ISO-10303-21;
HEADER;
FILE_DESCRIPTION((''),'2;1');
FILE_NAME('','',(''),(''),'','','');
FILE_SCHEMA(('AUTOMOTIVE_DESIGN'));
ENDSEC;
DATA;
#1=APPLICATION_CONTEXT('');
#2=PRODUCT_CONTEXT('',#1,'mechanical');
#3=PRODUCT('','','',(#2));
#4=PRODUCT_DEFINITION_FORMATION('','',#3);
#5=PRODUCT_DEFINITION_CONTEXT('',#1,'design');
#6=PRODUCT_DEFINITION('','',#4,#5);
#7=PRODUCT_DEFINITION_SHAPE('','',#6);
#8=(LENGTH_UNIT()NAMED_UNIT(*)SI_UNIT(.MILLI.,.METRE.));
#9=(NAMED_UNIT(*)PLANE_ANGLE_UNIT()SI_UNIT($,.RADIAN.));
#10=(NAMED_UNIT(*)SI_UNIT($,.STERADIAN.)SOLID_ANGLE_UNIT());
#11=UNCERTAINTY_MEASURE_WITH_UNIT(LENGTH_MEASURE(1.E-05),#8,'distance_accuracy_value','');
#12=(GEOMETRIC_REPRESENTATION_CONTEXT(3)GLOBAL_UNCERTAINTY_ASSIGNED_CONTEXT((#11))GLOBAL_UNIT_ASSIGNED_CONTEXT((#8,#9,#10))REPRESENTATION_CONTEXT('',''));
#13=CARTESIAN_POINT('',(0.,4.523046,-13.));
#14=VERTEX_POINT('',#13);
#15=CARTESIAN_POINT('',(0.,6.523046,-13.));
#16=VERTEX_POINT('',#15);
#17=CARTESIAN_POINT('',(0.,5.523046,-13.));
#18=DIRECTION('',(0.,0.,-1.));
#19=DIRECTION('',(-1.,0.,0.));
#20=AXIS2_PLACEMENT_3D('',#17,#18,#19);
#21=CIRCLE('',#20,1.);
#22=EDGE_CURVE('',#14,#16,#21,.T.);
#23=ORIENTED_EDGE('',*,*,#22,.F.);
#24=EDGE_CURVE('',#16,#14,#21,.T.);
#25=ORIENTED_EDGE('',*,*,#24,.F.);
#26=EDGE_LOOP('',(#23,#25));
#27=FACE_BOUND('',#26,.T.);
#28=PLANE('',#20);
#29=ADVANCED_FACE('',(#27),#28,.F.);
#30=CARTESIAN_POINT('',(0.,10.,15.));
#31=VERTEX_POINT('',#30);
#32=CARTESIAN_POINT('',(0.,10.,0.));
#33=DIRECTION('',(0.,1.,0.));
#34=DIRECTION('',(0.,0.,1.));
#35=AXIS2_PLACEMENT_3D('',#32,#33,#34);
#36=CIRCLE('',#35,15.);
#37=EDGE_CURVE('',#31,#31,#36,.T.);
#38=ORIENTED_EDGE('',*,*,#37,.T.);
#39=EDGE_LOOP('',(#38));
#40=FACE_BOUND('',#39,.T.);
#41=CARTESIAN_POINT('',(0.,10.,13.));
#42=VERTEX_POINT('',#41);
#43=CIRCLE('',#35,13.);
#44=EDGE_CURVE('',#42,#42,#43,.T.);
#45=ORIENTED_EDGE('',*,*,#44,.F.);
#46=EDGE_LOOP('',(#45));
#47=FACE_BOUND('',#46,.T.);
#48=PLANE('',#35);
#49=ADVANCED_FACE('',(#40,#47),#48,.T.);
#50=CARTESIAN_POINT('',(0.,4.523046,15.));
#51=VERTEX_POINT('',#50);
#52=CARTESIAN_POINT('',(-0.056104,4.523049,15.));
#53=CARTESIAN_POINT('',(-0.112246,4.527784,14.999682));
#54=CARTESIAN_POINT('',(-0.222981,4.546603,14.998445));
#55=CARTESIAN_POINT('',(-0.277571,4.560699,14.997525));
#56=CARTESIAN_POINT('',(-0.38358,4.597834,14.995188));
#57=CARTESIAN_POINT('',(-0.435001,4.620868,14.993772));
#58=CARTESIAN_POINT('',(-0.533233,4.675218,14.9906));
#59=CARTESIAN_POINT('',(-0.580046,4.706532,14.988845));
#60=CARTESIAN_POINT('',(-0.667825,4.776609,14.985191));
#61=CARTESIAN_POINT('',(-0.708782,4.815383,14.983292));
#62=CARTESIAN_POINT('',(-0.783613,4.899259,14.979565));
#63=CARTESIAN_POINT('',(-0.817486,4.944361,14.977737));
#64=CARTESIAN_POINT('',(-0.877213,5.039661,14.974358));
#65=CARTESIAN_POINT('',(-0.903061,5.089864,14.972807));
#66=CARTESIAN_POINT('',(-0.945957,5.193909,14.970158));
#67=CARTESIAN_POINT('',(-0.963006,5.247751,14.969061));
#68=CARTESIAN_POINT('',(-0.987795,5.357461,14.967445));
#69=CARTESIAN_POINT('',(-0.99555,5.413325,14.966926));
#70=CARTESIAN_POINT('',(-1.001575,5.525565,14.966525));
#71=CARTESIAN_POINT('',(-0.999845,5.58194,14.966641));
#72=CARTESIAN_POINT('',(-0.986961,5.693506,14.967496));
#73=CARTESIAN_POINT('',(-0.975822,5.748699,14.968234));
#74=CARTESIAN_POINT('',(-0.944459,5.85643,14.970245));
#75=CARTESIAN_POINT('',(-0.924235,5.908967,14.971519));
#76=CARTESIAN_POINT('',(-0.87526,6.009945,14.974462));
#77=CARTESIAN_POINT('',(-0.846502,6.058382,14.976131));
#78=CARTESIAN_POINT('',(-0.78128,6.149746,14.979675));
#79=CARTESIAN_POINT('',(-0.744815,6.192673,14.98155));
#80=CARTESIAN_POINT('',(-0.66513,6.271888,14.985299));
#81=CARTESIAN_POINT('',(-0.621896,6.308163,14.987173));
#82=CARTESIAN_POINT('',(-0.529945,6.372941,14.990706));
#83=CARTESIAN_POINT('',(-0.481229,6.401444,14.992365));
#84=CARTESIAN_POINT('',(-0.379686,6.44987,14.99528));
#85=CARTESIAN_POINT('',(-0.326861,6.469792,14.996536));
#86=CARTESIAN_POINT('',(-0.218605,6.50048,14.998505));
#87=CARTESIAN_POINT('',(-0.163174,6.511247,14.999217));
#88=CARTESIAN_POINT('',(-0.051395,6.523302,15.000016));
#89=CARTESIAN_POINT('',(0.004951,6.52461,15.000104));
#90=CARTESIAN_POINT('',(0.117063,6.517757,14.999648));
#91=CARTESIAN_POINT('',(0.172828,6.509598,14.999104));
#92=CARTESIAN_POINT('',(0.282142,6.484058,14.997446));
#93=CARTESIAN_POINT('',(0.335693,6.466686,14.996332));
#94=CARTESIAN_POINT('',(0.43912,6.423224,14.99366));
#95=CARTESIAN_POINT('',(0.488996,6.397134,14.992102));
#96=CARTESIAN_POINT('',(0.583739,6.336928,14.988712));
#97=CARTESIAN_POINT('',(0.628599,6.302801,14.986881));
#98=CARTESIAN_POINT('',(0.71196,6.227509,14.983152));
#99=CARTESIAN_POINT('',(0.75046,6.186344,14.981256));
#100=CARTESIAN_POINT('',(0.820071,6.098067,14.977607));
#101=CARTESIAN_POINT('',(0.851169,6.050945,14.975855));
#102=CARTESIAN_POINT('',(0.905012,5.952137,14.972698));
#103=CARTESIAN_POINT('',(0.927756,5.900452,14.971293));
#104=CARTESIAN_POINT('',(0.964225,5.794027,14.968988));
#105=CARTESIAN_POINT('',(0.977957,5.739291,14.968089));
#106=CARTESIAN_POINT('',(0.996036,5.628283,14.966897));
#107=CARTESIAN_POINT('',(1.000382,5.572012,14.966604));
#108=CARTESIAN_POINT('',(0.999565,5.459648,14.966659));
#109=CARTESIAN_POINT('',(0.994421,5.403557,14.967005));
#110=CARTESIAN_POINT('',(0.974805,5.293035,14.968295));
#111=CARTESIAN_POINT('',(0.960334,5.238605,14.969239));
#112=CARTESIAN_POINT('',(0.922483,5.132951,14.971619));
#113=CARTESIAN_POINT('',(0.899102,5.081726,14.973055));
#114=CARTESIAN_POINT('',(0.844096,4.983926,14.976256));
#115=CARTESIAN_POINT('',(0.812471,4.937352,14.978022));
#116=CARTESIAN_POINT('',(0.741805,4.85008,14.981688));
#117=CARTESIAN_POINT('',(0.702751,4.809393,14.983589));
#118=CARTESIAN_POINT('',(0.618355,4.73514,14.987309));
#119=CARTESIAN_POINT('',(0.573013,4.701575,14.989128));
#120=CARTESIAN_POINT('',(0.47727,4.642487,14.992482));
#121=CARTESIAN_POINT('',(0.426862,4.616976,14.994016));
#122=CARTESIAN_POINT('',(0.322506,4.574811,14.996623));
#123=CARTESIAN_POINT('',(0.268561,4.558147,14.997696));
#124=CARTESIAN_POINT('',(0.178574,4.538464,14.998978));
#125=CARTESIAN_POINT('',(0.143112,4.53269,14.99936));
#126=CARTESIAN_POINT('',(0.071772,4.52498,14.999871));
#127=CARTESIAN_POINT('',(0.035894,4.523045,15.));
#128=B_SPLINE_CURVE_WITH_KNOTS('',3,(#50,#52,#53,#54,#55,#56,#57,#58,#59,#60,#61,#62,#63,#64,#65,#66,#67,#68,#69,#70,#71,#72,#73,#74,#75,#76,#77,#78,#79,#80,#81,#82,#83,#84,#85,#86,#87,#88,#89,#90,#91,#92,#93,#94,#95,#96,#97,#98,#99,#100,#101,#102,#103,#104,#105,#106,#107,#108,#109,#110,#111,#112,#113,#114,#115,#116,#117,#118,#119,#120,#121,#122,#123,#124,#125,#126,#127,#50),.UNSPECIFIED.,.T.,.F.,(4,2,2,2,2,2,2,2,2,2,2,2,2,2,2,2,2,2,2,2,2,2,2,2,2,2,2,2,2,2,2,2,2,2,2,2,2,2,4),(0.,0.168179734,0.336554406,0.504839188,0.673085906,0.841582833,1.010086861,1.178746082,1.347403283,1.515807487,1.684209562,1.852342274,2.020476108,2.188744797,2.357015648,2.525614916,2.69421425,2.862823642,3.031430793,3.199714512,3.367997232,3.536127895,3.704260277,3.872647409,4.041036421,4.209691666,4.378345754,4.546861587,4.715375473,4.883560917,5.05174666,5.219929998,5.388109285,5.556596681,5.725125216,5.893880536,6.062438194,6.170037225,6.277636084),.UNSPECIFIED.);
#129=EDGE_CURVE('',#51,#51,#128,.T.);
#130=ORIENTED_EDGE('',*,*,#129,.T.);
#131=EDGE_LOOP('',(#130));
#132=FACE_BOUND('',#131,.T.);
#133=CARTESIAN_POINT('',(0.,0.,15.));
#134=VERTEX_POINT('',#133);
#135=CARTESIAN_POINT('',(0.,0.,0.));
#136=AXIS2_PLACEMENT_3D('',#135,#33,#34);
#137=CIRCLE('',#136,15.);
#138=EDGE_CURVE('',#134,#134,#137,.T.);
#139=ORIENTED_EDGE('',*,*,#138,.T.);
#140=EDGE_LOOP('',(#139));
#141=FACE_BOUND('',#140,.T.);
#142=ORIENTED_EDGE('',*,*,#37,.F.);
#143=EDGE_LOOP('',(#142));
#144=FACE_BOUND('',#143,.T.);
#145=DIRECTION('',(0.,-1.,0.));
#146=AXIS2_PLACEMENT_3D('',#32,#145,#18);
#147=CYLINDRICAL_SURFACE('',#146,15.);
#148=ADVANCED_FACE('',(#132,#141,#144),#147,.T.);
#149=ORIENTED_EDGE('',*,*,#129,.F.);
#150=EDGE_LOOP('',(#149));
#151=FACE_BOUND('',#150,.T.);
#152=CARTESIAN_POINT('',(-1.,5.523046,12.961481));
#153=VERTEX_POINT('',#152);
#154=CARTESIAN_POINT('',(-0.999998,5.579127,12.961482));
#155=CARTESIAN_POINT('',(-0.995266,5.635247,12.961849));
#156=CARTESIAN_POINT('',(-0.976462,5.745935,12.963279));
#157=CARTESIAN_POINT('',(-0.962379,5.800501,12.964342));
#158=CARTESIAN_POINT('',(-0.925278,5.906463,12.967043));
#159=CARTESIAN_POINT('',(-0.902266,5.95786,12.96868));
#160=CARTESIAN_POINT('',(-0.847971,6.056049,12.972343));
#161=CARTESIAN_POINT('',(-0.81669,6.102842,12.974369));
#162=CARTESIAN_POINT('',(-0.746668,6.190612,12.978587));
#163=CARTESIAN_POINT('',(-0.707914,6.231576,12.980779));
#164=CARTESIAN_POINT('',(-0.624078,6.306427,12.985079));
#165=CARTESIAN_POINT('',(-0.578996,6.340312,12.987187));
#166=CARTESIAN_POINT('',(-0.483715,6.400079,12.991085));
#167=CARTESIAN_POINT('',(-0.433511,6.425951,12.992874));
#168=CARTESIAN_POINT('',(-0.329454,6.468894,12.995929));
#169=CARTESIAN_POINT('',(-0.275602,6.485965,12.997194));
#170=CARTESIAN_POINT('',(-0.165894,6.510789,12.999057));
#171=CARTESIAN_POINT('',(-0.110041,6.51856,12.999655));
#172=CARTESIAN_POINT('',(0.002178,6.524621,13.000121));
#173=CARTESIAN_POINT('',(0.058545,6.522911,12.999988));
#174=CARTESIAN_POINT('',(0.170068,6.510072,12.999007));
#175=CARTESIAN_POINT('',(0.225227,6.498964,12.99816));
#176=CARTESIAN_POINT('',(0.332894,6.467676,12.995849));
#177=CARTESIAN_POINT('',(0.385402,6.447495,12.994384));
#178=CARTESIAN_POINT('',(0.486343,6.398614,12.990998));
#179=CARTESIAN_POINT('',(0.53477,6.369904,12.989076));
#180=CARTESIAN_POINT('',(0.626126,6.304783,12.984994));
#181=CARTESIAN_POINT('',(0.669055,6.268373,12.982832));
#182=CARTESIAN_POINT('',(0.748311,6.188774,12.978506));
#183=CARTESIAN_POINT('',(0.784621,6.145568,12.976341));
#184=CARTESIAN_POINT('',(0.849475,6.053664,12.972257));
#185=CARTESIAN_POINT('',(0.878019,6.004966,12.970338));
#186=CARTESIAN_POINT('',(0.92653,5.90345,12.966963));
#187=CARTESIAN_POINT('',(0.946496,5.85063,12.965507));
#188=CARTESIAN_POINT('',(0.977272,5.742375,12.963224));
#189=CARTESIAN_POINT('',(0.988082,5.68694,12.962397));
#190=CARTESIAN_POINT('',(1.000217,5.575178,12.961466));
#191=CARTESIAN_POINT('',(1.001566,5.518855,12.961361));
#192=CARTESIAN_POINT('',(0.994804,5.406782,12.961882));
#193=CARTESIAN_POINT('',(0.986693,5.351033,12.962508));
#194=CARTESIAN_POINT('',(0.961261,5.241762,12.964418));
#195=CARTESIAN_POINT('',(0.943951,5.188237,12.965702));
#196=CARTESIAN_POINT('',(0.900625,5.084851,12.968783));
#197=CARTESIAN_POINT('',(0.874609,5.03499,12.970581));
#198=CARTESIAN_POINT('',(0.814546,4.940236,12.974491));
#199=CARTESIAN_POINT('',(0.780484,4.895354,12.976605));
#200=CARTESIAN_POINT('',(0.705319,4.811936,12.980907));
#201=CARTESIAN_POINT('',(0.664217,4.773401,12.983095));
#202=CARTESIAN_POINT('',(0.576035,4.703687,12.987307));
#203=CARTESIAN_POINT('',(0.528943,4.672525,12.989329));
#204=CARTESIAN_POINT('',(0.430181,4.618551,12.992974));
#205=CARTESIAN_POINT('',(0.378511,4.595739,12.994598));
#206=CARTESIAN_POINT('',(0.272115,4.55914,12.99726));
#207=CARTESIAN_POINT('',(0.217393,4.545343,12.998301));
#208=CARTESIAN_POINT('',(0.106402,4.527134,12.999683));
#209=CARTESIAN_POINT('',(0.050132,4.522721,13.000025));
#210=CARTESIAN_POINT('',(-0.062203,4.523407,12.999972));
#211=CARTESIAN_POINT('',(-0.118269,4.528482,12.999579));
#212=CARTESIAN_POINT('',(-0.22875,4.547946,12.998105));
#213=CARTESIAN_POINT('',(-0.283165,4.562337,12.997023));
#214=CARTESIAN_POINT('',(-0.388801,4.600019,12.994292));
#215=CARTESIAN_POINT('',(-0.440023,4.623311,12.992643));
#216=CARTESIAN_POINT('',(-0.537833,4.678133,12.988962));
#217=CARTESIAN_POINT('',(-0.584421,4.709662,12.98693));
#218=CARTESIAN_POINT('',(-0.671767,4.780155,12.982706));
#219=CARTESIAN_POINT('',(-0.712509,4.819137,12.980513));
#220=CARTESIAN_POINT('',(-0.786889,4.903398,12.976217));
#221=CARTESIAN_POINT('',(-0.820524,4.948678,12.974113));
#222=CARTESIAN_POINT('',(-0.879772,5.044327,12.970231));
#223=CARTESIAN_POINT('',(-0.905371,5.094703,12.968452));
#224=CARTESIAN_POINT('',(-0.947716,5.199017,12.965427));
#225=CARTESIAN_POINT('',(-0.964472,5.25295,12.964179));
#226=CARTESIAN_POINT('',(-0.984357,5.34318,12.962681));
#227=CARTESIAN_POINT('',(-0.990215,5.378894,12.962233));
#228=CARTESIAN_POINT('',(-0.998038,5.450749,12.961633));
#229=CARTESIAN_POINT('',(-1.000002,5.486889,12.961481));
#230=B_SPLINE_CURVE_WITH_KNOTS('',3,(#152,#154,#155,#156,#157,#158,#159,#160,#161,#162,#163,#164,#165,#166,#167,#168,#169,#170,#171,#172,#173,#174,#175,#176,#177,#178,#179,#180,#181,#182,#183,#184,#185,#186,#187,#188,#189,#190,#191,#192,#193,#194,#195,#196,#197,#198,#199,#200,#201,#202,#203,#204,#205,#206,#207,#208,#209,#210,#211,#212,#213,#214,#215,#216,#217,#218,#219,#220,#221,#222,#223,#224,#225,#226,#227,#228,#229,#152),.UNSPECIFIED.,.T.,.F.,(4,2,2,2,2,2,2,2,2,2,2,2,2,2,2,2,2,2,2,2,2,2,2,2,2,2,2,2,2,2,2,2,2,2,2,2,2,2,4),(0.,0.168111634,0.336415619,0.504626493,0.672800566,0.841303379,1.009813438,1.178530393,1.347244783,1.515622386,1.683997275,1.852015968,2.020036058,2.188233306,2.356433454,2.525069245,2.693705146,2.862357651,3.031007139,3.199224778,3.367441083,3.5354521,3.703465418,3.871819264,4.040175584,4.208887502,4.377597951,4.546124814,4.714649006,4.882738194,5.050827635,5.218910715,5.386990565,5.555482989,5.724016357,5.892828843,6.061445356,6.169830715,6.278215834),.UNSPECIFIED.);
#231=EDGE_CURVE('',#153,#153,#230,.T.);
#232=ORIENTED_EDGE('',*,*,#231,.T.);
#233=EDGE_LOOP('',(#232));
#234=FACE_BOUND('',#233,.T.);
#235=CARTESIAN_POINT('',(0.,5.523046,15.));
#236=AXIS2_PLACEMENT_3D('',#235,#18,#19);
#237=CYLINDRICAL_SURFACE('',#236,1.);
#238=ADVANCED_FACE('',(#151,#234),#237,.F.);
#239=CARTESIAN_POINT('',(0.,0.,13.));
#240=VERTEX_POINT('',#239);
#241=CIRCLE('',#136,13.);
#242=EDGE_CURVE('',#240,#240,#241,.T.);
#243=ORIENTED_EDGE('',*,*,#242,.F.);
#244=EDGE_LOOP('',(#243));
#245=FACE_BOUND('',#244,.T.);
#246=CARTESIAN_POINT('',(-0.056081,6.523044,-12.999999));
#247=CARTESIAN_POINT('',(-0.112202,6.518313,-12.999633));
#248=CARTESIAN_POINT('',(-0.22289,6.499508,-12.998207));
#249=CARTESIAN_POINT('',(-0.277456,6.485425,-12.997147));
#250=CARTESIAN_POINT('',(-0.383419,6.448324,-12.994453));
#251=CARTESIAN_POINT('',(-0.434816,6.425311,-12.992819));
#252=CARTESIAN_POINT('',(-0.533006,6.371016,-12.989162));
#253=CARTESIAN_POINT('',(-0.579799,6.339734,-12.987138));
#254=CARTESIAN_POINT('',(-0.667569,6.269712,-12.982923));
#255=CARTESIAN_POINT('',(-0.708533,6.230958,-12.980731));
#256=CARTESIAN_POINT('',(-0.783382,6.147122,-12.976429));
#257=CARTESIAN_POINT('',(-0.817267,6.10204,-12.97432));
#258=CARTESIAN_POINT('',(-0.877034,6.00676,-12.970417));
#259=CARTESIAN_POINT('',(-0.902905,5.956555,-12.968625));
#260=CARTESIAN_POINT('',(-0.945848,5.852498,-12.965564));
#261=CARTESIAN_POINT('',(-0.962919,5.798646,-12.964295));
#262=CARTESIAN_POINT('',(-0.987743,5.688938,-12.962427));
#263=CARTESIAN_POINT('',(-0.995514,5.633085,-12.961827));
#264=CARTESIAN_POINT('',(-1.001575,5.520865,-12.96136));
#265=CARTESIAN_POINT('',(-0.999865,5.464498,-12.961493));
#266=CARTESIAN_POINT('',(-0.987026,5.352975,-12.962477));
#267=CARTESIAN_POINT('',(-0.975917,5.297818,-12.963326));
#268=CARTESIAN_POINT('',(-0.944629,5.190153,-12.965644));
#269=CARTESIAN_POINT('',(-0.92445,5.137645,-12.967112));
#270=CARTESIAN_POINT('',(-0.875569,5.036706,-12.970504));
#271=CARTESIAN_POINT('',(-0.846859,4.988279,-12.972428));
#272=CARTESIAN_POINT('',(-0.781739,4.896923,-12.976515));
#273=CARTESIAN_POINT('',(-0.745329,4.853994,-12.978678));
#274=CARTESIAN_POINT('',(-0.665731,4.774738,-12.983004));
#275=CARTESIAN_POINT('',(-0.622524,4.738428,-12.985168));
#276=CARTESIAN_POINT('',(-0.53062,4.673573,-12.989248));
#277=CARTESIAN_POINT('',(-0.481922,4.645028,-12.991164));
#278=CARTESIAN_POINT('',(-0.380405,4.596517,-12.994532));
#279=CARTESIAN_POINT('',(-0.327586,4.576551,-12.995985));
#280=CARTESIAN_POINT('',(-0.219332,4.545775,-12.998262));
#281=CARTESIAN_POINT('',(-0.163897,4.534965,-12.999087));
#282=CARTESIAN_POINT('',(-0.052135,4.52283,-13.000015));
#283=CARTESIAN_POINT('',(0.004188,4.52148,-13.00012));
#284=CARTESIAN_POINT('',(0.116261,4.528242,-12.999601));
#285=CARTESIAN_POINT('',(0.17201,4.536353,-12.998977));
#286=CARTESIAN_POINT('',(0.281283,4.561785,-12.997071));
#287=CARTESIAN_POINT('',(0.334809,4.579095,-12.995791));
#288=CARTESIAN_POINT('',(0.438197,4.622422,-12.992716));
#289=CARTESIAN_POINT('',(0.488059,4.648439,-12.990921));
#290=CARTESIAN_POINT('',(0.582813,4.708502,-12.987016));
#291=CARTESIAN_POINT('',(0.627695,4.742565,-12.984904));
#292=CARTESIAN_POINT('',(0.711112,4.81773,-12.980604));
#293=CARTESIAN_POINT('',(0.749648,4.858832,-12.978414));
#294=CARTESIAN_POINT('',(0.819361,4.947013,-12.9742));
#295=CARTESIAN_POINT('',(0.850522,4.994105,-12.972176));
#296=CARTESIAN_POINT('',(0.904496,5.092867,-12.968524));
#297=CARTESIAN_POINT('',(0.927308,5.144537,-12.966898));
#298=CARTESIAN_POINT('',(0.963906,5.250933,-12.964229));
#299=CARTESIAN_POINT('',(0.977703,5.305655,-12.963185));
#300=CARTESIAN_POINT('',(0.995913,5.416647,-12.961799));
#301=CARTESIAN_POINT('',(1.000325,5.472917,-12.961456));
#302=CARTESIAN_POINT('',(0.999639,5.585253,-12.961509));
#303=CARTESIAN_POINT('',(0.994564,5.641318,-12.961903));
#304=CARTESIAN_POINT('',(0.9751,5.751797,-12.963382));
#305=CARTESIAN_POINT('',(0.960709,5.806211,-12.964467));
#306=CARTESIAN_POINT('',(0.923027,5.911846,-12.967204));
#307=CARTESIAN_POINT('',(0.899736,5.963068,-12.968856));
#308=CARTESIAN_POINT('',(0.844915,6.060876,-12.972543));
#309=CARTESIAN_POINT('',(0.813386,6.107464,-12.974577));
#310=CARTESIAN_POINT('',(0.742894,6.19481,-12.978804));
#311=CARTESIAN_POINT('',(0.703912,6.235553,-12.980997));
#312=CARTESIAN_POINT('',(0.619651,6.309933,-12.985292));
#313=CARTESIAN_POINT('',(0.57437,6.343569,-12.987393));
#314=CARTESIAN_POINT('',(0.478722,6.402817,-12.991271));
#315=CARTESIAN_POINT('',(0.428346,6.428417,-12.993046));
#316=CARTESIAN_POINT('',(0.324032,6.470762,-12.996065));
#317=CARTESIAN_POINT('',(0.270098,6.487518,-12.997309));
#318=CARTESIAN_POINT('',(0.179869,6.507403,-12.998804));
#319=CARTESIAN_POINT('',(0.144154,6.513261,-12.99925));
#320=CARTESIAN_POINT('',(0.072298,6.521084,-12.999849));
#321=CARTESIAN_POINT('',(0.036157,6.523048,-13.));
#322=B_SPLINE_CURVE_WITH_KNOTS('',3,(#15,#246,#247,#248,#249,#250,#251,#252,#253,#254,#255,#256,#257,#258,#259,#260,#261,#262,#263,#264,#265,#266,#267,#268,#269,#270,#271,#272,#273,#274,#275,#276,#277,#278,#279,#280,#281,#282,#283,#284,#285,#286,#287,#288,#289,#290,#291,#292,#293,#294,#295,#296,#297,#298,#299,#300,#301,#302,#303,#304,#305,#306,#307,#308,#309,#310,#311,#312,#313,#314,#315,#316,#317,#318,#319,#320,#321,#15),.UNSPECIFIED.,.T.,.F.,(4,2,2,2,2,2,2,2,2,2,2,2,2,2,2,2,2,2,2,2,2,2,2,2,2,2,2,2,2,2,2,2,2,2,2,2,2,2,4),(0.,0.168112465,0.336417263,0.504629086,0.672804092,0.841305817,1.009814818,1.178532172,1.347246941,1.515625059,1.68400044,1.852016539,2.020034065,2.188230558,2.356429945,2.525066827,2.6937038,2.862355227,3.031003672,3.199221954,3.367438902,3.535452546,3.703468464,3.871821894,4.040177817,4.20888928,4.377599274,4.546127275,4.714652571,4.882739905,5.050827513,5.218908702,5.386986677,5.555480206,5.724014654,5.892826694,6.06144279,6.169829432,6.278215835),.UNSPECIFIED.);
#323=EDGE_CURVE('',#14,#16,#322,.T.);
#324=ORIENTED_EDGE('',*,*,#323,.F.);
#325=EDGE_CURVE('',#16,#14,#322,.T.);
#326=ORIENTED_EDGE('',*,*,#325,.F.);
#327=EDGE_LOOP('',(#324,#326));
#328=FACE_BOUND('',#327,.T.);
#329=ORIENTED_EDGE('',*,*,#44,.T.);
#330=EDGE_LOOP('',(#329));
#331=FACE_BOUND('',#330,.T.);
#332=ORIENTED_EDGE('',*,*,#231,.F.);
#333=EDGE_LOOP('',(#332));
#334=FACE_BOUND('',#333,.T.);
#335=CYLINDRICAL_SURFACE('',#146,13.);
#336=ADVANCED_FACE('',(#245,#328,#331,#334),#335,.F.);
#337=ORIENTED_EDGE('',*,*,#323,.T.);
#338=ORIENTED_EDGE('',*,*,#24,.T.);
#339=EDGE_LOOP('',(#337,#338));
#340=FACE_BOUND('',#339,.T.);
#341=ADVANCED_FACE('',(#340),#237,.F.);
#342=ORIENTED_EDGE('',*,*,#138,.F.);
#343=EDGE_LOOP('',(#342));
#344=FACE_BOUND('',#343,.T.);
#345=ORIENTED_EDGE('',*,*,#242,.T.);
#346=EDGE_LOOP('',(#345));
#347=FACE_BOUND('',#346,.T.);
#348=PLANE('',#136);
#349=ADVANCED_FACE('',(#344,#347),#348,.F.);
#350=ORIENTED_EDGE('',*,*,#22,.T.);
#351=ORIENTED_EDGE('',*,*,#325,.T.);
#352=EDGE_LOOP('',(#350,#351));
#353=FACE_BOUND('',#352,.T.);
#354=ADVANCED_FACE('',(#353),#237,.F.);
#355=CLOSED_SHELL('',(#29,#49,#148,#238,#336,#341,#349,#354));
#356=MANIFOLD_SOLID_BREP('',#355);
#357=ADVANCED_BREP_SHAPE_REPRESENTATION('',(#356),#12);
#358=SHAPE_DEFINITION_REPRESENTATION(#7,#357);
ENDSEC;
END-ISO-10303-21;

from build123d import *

# Parameters (mm, degrees)
SKETCH_1_R          = 15
SKETCH_1_R_2        = 13
EXTRUDE_1_DEPTH     = 10
SKETCH_2_R          = 1
CUT_EXTRUDE_1_DEPTH = 34.301651611


with BuildPart() as part:
    # 草图1 → 凸台-拉伸1 (new body)
    with BuildSketch(Plane(origin=(0, 0, 0), x_dir=(1, 0, 0), z_dir=(0, 1, 0))):
        with Locations(Location((0, 0, 0), (0, 0, 270))):
            Circle(SKETCH_1_R)
        with Locations(Location((0, 0, 0), (0, 0, 270))):
            Circle(SKETCH_1_R_2, mode=Mode.SUBTRACT)
    extrude(amount=EXTRUDE_1_DEPTH)

    # 草图2 → 切除-拉伸1 (cut, through all)
    with BuildSketch(Plane(origin=(0, 0, -13), x_dir=(-1, 0, 0), z_dir=(0, 0, -1))):
        with Locations(Location((0, 5.523046221, 0), (0, 0, 90.000000034))):
            Circle(SKETCH_2_R)
    extrude(amount=-CUT_EXTRUDE_1_DEPTH, mode=Mode.SUBTRACT)


solid = part.part
